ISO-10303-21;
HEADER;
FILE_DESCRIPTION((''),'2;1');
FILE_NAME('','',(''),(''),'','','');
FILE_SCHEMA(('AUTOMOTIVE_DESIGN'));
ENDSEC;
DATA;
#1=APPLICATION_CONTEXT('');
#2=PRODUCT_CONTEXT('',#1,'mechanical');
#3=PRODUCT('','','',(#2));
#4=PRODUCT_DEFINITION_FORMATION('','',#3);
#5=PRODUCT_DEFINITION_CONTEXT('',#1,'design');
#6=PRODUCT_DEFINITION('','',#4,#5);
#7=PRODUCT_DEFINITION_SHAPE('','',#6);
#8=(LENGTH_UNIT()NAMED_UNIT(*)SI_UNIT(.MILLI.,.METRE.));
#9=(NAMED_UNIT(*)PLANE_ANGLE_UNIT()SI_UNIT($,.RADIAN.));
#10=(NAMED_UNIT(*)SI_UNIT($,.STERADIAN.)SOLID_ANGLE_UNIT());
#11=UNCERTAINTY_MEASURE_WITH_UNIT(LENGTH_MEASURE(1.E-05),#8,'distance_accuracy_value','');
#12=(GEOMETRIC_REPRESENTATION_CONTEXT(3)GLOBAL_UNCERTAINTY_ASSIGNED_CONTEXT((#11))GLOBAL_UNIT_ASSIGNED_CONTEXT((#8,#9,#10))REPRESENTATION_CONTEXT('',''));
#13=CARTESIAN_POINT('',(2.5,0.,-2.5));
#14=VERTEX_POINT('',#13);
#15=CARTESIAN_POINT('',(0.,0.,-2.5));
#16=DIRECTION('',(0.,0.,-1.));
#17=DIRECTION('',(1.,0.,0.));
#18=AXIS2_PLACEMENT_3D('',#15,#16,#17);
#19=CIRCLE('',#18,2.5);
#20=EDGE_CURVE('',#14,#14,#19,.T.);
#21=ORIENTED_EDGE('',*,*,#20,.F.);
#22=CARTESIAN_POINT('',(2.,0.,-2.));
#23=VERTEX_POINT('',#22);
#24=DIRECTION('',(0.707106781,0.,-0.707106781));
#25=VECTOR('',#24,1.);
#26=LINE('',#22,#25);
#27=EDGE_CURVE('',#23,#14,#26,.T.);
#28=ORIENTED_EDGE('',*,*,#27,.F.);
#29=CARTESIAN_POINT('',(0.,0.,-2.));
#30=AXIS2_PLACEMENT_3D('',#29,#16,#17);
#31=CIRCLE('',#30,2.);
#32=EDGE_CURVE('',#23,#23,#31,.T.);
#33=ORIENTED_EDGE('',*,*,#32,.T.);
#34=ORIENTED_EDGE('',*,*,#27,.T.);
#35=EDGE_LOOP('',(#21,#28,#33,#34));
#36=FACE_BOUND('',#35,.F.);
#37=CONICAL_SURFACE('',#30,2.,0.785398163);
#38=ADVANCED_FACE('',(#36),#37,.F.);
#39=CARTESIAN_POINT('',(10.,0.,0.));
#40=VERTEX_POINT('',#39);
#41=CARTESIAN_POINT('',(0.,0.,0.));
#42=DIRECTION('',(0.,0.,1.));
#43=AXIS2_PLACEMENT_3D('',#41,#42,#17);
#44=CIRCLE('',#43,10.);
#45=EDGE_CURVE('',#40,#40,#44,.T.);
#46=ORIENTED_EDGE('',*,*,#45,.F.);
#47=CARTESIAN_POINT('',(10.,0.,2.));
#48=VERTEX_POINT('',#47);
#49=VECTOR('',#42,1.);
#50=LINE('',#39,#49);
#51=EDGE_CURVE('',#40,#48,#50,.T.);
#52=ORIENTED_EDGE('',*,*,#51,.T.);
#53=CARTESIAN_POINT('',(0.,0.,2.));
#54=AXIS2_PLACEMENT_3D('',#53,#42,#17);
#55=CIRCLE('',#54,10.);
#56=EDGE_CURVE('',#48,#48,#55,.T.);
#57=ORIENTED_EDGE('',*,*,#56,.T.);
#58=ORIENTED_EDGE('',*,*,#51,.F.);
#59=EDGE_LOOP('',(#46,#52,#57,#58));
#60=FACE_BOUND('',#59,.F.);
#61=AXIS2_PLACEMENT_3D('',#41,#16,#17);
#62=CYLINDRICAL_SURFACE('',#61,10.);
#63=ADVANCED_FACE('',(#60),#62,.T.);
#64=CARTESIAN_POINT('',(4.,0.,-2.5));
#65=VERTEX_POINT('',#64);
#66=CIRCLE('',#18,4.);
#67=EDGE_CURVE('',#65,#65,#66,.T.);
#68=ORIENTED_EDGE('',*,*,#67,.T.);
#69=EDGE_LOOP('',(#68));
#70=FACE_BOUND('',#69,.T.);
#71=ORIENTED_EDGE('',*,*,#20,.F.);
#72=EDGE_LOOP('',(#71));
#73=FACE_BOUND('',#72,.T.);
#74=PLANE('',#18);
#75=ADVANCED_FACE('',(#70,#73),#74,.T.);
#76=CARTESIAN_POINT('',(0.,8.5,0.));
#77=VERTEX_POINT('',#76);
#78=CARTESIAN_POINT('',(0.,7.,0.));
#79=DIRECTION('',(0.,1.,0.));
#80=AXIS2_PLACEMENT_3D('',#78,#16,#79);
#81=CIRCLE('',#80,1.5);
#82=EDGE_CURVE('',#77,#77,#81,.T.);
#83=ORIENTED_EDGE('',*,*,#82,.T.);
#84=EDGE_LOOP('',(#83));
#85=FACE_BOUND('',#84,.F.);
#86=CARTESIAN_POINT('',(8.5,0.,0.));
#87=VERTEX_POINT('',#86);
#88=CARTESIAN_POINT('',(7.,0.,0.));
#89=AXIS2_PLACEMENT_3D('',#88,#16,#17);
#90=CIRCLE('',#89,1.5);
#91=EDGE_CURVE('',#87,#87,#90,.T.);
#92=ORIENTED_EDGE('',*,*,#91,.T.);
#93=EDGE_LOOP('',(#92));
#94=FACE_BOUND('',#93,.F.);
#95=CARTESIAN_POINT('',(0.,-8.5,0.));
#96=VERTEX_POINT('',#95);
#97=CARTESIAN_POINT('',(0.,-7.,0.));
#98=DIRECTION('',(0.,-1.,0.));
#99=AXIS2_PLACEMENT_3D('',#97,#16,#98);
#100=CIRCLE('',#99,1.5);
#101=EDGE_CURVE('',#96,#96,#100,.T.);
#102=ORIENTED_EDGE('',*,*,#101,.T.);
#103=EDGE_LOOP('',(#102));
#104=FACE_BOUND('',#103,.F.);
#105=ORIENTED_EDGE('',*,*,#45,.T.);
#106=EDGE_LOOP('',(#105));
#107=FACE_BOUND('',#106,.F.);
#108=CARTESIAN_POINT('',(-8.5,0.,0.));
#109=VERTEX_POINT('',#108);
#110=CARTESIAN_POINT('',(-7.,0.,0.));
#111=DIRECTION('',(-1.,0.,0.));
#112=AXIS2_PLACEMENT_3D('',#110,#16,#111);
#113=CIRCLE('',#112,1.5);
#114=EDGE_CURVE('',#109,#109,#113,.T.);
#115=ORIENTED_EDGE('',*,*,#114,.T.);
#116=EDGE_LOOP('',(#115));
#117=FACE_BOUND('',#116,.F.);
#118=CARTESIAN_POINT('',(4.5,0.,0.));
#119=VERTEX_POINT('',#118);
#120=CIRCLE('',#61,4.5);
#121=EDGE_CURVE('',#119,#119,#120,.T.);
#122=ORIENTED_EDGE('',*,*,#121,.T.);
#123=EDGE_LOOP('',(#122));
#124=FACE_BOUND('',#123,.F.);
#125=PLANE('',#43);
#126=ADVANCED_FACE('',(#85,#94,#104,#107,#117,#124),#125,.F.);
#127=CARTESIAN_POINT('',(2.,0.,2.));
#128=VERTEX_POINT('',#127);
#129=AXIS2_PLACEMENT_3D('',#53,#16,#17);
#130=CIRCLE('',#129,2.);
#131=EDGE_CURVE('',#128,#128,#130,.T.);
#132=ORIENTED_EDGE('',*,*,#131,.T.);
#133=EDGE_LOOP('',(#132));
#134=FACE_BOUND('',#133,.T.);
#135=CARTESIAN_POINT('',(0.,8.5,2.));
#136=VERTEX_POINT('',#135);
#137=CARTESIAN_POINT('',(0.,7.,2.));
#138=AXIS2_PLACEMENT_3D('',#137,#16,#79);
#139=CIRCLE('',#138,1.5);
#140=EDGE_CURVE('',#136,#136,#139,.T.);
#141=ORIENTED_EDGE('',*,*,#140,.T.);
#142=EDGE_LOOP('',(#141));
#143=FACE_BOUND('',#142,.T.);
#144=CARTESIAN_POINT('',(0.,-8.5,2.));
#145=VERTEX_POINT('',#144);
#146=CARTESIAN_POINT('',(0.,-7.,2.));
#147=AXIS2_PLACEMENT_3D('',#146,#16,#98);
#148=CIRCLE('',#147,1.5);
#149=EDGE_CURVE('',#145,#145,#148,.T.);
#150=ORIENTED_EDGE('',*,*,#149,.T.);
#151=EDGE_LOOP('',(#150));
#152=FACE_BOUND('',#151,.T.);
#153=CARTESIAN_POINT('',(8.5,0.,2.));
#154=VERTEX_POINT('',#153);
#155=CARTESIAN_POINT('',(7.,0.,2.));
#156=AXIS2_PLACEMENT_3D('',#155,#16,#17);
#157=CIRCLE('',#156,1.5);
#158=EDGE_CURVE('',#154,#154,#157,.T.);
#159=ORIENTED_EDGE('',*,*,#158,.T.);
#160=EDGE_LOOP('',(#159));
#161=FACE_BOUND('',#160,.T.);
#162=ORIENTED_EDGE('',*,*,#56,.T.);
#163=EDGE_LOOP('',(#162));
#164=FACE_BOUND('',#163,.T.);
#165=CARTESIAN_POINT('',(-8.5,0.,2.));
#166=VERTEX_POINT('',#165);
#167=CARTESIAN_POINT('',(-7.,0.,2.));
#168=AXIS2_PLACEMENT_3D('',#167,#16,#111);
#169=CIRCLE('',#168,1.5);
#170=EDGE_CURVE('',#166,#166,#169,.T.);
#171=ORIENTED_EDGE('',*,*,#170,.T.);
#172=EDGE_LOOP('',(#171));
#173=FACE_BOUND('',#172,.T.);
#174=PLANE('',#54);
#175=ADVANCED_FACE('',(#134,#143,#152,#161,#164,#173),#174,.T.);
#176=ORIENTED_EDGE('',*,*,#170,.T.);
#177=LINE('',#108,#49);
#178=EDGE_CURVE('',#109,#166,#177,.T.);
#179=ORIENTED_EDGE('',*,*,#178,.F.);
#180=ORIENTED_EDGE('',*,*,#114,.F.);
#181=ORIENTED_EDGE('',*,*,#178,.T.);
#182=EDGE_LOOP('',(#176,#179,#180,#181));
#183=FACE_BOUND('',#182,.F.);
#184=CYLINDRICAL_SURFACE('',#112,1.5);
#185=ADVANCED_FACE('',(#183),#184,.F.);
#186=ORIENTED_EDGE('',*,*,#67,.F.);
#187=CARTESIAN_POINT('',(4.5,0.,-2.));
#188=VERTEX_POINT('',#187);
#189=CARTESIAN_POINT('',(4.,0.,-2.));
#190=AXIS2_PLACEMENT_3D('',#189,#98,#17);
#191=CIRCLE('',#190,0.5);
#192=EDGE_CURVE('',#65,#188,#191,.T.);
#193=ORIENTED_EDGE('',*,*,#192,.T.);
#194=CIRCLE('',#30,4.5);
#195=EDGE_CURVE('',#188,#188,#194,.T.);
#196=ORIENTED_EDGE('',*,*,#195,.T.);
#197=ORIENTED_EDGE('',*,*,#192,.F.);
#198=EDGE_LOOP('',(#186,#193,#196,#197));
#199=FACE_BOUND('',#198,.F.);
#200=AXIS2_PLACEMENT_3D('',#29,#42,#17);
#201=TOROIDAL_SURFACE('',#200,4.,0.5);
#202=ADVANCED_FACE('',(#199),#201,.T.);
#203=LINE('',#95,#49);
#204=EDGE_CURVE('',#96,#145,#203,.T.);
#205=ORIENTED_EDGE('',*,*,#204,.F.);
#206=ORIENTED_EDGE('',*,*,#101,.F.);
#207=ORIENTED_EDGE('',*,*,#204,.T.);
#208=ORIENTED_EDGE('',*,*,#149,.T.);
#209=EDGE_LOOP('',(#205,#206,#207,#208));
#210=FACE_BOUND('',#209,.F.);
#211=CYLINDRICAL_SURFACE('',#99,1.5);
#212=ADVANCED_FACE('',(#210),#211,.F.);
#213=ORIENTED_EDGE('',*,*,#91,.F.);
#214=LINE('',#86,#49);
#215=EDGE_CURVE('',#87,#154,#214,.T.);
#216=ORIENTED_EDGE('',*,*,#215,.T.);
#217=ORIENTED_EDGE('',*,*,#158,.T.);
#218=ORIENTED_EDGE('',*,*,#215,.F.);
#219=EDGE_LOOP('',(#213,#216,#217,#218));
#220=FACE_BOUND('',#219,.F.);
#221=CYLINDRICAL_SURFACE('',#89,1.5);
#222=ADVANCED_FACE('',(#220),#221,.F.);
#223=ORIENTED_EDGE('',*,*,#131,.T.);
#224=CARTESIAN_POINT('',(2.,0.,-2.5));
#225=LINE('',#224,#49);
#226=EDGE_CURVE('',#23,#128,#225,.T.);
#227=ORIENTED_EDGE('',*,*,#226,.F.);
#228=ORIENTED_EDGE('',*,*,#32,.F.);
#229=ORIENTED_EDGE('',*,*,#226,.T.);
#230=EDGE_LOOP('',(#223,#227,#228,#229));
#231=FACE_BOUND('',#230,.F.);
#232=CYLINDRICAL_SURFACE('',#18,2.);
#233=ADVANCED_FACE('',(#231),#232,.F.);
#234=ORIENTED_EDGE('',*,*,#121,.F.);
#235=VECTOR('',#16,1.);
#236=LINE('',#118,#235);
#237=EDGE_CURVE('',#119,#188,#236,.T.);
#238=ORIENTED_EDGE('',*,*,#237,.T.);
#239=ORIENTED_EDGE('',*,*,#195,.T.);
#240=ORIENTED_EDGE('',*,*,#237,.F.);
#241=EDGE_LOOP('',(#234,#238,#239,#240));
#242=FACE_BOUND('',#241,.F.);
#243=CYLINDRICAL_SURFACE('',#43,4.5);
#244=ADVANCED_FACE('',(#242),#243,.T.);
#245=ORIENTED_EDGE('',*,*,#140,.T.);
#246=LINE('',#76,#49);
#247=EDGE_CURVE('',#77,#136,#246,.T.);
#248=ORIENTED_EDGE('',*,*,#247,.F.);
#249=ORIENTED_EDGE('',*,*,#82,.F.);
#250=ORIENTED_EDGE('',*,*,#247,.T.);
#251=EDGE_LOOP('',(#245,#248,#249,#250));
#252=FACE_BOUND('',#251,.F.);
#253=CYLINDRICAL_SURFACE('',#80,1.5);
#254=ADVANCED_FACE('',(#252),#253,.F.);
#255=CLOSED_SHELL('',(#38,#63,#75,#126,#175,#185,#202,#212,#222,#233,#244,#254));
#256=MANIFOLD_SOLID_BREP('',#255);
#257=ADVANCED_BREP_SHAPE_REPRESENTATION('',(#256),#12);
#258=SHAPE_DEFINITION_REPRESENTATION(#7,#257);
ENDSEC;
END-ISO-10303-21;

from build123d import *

# Parameters (mm, degrees)
SKETCH011_R        = 10
PAD008_DEPTH       = 2
SKETCH012_R        = 4.5
PAD009_DEPTH       = 2.5
SKETCH013_R        = 2
POCKET003_DEPTH    = 4.501
CHAMFER004_SIZE    = 0.5
FILLET011_R        = 0.5
SKETCH014_R        = 1.5
POCKET004_DEPTH    = 59.281014
POLARPATTERN_COUNT = 4


with BuildPart() as part:
    # Sketch011 → Pad008 (new body)
    with BuildSketch(Plane.XY):
        Circle(SKETCH011_R)
    extrude(amount=PAD008_DEPTH)

    # Sketch012 (on Face2 of Pad008) → Pad009 (join)
    with BuildSketch(Plane(origin=(0, 0, 0), x_dir=(1, 0, 0), z_dir=(0, 0, -1))):
        Circle(SKETCH012_R)
    extrude(amount=PAD009_DEPTH)

    # Sketch013 (on Face5 of Pad009) → Pocket003 (cut, through all)
    with BuildSketch(Plane(origin=(0, 0, -2.5), x_dir=(1, 0, 0), z_dir=(0, 0, -1))):
        Circle(SKETCH013_R)
    extrude(amount=-POCKET003_DEPTH, mode=Mode.SUBTRACT)

    # Chamfer004
    chamfer004_edges = [part.edges().sort_by_distance(p)[0] for p in [
        (-2, 0, -2.5),
    ]]
    chamfer(chamfer004_edges, length=CHAMFER004_SIZE)

    # Fillet011
    fillet011_edges = [part.edges().sort_by_distance(p)[0] for p in [
        (-4.5, 0, -2.5),
    ]]
    fillet(fillet011_edges, radius=FILLET011_R)

    # Sketch014 (on Face6 of Fillet011) → Pocket004 (cut, through all)
    with BuildSketch(Plane(origin=(0, 0, 0), x_dir=(1, 0, 0), z_dir=(0, 0, -1))):
        with Locations((7, 0)):
            Circle(SKETCH014_R)
    pocket004 = extrude(amount=-POCKET004_DEPTH, mode=Mode.SUBTRACT)

    # PolarPattern: Pocket004 ×4 about axis
    polarpattern_axis = Axis((0, 0, 0), (0, 0, -1))
    for i in range(1, POLARPATTERN_COUNT):
        add(pocket004.rotate(polarpattern_axis, i * 360 / POLARPATTERN_COUNT), mode=Mode.SUBTRACT)


solid = part.part
